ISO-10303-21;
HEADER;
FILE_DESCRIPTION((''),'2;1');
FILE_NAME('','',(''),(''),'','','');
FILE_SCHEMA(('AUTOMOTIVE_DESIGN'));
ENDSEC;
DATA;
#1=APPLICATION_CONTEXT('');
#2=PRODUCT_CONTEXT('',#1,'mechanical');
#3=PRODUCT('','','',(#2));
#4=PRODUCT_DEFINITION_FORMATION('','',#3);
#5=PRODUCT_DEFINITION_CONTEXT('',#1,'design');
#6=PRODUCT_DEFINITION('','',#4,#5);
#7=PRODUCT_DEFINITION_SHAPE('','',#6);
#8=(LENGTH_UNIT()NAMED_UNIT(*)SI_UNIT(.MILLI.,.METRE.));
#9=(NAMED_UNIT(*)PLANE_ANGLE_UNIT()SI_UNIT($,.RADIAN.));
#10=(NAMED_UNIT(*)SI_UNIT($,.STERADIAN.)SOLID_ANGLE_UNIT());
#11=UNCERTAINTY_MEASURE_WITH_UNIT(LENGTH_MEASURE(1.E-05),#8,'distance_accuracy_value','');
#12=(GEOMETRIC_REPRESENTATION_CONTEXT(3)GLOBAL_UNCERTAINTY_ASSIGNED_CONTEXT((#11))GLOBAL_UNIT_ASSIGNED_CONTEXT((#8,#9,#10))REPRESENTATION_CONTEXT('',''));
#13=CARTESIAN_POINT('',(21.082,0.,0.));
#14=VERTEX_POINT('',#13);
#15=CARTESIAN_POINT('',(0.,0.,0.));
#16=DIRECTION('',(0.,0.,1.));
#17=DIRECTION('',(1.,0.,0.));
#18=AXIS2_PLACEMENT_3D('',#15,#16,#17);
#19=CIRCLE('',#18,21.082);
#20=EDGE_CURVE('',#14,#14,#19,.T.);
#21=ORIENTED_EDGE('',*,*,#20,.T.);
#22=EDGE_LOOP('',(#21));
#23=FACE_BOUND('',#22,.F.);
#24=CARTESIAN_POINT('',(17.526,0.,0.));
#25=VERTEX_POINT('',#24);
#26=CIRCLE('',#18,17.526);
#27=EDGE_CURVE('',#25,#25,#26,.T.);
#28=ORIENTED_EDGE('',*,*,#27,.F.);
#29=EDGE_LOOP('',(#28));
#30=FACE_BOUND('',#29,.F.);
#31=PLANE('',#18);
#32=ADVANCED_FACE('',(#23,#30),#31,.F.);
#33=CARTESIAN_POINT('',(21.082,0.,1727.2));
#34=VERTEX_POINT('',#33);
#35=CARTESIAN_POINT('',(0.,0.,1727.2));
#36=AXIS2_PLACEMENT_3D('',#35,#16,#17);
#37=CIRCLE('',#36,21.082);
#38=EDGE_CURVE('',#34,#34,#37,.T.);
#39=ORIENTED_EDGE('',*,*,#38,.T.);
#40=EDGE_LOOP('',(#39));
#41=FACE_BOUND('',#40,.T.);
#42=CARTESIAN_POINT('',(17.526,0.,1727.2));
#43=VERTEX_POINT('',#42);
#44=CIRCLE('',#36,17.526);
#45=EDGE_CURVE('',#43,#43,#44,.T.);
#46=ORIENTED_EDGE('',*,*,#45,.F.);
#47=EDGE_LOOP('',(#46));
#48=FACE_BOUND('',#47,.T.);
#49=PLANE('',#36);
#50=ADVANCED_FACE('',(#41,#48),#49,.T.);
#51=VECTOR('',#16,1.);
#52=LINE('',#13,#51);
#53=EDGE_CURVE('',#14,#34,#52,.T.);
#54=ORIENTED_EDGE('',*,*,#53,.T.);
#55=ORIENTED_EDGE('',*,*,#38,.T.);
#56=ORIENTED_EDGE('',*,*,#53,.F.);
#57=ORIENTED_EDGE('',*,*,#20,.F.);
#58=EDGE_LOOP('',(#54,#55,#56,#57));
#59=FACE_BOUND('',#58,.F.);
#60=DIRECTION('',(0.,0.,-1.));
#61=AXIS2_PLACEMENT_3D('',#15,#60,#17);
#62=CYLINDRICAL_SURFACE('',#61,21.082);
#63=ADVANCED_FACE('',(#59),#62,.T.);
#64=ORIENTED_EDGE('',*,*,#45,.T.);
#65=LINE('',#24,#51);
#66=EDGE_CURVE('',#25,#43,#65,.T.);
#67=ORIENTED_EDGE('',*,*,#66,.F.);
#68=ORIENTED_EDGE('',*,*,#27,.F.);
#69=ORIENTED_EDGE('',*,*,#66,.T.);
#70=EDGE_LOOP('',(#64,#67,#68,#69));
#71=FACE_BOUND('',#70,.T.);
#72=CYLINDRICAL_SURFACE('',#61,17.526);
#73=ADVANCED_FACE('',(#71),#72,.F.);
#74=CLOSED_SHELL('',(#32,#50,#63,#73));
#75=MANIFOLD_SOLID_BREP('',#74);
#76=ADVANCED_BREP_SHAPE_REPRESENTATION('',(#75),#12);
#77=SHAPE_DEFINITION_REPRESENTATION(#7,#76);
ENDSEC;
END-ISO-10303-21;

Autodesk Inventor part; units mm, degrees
ref_plane "YZ Plane" through (0, 0, 0) normal (1, 0, 0) x (0, 1, 0)
ref_plane "Start plane" through (0, 0, 0) normal (0, 0, 1) x (1, 0, 0)
ref_plane "End plane" through (0, 0, 1727.2) normal (0, 0, 1) x (1, 0, 0)
sketch "Sketch" plane through (0, 0, 0) normal (0, 0, 1) x (1, 0, 0)
  circle A0 centre (0, 0) radius 17.526
  circle A1 centre (0, 0) radius 21.082
  dimension "d0" = 42.164
  dimension "d1" = 3.556
extrude "Body" add sketch "Sketch" along normal up to surface (1727.2 mm away) from surface at 0
sketch "Sketch3" plane through (0, 0, 0) normal (0, 0, 1) x (1, 0, 0)
  line L0 (0, 0) -> (10, 0)
ref_plane "Work Plane3" through (0, 0, 0) normal (0, -1, 0) x (1, 0, 0)
sketch "Sketch4" plane through (0, 0, 0) normal (0, -1, 0) x (1, 0, 0)
  line L0 (-2, 0) -> (12, 0)
  line L1 (-2, 1727.2) -> (12, 1727.2)
  dimension "d7" = 1727.2
ref_plane "Work Plane4" through (0, 0, 863.6) normal (0, 0, 1) x (1, 0, 0)
equation "\"d0\" = G_H"
equation "\"d1\" = G_T"
equation "\"d2\" = G_L"
equation "\"G_H\" = 42.164"
equation "\"G_T\" = 3.556"
equation "\"G_L\" = d7"
equation "\"G_OFFSET_START\" = 0"
equation "\"G_OFFSET_END\" = 0"
equation "\"d5\" = G_OFFSET_END + B_L"
equation "\"B_L\" = 1727.2"
properties part number "ANSI - 1 1/4 x 0.140 - 68" material "Aluminum 6061"
